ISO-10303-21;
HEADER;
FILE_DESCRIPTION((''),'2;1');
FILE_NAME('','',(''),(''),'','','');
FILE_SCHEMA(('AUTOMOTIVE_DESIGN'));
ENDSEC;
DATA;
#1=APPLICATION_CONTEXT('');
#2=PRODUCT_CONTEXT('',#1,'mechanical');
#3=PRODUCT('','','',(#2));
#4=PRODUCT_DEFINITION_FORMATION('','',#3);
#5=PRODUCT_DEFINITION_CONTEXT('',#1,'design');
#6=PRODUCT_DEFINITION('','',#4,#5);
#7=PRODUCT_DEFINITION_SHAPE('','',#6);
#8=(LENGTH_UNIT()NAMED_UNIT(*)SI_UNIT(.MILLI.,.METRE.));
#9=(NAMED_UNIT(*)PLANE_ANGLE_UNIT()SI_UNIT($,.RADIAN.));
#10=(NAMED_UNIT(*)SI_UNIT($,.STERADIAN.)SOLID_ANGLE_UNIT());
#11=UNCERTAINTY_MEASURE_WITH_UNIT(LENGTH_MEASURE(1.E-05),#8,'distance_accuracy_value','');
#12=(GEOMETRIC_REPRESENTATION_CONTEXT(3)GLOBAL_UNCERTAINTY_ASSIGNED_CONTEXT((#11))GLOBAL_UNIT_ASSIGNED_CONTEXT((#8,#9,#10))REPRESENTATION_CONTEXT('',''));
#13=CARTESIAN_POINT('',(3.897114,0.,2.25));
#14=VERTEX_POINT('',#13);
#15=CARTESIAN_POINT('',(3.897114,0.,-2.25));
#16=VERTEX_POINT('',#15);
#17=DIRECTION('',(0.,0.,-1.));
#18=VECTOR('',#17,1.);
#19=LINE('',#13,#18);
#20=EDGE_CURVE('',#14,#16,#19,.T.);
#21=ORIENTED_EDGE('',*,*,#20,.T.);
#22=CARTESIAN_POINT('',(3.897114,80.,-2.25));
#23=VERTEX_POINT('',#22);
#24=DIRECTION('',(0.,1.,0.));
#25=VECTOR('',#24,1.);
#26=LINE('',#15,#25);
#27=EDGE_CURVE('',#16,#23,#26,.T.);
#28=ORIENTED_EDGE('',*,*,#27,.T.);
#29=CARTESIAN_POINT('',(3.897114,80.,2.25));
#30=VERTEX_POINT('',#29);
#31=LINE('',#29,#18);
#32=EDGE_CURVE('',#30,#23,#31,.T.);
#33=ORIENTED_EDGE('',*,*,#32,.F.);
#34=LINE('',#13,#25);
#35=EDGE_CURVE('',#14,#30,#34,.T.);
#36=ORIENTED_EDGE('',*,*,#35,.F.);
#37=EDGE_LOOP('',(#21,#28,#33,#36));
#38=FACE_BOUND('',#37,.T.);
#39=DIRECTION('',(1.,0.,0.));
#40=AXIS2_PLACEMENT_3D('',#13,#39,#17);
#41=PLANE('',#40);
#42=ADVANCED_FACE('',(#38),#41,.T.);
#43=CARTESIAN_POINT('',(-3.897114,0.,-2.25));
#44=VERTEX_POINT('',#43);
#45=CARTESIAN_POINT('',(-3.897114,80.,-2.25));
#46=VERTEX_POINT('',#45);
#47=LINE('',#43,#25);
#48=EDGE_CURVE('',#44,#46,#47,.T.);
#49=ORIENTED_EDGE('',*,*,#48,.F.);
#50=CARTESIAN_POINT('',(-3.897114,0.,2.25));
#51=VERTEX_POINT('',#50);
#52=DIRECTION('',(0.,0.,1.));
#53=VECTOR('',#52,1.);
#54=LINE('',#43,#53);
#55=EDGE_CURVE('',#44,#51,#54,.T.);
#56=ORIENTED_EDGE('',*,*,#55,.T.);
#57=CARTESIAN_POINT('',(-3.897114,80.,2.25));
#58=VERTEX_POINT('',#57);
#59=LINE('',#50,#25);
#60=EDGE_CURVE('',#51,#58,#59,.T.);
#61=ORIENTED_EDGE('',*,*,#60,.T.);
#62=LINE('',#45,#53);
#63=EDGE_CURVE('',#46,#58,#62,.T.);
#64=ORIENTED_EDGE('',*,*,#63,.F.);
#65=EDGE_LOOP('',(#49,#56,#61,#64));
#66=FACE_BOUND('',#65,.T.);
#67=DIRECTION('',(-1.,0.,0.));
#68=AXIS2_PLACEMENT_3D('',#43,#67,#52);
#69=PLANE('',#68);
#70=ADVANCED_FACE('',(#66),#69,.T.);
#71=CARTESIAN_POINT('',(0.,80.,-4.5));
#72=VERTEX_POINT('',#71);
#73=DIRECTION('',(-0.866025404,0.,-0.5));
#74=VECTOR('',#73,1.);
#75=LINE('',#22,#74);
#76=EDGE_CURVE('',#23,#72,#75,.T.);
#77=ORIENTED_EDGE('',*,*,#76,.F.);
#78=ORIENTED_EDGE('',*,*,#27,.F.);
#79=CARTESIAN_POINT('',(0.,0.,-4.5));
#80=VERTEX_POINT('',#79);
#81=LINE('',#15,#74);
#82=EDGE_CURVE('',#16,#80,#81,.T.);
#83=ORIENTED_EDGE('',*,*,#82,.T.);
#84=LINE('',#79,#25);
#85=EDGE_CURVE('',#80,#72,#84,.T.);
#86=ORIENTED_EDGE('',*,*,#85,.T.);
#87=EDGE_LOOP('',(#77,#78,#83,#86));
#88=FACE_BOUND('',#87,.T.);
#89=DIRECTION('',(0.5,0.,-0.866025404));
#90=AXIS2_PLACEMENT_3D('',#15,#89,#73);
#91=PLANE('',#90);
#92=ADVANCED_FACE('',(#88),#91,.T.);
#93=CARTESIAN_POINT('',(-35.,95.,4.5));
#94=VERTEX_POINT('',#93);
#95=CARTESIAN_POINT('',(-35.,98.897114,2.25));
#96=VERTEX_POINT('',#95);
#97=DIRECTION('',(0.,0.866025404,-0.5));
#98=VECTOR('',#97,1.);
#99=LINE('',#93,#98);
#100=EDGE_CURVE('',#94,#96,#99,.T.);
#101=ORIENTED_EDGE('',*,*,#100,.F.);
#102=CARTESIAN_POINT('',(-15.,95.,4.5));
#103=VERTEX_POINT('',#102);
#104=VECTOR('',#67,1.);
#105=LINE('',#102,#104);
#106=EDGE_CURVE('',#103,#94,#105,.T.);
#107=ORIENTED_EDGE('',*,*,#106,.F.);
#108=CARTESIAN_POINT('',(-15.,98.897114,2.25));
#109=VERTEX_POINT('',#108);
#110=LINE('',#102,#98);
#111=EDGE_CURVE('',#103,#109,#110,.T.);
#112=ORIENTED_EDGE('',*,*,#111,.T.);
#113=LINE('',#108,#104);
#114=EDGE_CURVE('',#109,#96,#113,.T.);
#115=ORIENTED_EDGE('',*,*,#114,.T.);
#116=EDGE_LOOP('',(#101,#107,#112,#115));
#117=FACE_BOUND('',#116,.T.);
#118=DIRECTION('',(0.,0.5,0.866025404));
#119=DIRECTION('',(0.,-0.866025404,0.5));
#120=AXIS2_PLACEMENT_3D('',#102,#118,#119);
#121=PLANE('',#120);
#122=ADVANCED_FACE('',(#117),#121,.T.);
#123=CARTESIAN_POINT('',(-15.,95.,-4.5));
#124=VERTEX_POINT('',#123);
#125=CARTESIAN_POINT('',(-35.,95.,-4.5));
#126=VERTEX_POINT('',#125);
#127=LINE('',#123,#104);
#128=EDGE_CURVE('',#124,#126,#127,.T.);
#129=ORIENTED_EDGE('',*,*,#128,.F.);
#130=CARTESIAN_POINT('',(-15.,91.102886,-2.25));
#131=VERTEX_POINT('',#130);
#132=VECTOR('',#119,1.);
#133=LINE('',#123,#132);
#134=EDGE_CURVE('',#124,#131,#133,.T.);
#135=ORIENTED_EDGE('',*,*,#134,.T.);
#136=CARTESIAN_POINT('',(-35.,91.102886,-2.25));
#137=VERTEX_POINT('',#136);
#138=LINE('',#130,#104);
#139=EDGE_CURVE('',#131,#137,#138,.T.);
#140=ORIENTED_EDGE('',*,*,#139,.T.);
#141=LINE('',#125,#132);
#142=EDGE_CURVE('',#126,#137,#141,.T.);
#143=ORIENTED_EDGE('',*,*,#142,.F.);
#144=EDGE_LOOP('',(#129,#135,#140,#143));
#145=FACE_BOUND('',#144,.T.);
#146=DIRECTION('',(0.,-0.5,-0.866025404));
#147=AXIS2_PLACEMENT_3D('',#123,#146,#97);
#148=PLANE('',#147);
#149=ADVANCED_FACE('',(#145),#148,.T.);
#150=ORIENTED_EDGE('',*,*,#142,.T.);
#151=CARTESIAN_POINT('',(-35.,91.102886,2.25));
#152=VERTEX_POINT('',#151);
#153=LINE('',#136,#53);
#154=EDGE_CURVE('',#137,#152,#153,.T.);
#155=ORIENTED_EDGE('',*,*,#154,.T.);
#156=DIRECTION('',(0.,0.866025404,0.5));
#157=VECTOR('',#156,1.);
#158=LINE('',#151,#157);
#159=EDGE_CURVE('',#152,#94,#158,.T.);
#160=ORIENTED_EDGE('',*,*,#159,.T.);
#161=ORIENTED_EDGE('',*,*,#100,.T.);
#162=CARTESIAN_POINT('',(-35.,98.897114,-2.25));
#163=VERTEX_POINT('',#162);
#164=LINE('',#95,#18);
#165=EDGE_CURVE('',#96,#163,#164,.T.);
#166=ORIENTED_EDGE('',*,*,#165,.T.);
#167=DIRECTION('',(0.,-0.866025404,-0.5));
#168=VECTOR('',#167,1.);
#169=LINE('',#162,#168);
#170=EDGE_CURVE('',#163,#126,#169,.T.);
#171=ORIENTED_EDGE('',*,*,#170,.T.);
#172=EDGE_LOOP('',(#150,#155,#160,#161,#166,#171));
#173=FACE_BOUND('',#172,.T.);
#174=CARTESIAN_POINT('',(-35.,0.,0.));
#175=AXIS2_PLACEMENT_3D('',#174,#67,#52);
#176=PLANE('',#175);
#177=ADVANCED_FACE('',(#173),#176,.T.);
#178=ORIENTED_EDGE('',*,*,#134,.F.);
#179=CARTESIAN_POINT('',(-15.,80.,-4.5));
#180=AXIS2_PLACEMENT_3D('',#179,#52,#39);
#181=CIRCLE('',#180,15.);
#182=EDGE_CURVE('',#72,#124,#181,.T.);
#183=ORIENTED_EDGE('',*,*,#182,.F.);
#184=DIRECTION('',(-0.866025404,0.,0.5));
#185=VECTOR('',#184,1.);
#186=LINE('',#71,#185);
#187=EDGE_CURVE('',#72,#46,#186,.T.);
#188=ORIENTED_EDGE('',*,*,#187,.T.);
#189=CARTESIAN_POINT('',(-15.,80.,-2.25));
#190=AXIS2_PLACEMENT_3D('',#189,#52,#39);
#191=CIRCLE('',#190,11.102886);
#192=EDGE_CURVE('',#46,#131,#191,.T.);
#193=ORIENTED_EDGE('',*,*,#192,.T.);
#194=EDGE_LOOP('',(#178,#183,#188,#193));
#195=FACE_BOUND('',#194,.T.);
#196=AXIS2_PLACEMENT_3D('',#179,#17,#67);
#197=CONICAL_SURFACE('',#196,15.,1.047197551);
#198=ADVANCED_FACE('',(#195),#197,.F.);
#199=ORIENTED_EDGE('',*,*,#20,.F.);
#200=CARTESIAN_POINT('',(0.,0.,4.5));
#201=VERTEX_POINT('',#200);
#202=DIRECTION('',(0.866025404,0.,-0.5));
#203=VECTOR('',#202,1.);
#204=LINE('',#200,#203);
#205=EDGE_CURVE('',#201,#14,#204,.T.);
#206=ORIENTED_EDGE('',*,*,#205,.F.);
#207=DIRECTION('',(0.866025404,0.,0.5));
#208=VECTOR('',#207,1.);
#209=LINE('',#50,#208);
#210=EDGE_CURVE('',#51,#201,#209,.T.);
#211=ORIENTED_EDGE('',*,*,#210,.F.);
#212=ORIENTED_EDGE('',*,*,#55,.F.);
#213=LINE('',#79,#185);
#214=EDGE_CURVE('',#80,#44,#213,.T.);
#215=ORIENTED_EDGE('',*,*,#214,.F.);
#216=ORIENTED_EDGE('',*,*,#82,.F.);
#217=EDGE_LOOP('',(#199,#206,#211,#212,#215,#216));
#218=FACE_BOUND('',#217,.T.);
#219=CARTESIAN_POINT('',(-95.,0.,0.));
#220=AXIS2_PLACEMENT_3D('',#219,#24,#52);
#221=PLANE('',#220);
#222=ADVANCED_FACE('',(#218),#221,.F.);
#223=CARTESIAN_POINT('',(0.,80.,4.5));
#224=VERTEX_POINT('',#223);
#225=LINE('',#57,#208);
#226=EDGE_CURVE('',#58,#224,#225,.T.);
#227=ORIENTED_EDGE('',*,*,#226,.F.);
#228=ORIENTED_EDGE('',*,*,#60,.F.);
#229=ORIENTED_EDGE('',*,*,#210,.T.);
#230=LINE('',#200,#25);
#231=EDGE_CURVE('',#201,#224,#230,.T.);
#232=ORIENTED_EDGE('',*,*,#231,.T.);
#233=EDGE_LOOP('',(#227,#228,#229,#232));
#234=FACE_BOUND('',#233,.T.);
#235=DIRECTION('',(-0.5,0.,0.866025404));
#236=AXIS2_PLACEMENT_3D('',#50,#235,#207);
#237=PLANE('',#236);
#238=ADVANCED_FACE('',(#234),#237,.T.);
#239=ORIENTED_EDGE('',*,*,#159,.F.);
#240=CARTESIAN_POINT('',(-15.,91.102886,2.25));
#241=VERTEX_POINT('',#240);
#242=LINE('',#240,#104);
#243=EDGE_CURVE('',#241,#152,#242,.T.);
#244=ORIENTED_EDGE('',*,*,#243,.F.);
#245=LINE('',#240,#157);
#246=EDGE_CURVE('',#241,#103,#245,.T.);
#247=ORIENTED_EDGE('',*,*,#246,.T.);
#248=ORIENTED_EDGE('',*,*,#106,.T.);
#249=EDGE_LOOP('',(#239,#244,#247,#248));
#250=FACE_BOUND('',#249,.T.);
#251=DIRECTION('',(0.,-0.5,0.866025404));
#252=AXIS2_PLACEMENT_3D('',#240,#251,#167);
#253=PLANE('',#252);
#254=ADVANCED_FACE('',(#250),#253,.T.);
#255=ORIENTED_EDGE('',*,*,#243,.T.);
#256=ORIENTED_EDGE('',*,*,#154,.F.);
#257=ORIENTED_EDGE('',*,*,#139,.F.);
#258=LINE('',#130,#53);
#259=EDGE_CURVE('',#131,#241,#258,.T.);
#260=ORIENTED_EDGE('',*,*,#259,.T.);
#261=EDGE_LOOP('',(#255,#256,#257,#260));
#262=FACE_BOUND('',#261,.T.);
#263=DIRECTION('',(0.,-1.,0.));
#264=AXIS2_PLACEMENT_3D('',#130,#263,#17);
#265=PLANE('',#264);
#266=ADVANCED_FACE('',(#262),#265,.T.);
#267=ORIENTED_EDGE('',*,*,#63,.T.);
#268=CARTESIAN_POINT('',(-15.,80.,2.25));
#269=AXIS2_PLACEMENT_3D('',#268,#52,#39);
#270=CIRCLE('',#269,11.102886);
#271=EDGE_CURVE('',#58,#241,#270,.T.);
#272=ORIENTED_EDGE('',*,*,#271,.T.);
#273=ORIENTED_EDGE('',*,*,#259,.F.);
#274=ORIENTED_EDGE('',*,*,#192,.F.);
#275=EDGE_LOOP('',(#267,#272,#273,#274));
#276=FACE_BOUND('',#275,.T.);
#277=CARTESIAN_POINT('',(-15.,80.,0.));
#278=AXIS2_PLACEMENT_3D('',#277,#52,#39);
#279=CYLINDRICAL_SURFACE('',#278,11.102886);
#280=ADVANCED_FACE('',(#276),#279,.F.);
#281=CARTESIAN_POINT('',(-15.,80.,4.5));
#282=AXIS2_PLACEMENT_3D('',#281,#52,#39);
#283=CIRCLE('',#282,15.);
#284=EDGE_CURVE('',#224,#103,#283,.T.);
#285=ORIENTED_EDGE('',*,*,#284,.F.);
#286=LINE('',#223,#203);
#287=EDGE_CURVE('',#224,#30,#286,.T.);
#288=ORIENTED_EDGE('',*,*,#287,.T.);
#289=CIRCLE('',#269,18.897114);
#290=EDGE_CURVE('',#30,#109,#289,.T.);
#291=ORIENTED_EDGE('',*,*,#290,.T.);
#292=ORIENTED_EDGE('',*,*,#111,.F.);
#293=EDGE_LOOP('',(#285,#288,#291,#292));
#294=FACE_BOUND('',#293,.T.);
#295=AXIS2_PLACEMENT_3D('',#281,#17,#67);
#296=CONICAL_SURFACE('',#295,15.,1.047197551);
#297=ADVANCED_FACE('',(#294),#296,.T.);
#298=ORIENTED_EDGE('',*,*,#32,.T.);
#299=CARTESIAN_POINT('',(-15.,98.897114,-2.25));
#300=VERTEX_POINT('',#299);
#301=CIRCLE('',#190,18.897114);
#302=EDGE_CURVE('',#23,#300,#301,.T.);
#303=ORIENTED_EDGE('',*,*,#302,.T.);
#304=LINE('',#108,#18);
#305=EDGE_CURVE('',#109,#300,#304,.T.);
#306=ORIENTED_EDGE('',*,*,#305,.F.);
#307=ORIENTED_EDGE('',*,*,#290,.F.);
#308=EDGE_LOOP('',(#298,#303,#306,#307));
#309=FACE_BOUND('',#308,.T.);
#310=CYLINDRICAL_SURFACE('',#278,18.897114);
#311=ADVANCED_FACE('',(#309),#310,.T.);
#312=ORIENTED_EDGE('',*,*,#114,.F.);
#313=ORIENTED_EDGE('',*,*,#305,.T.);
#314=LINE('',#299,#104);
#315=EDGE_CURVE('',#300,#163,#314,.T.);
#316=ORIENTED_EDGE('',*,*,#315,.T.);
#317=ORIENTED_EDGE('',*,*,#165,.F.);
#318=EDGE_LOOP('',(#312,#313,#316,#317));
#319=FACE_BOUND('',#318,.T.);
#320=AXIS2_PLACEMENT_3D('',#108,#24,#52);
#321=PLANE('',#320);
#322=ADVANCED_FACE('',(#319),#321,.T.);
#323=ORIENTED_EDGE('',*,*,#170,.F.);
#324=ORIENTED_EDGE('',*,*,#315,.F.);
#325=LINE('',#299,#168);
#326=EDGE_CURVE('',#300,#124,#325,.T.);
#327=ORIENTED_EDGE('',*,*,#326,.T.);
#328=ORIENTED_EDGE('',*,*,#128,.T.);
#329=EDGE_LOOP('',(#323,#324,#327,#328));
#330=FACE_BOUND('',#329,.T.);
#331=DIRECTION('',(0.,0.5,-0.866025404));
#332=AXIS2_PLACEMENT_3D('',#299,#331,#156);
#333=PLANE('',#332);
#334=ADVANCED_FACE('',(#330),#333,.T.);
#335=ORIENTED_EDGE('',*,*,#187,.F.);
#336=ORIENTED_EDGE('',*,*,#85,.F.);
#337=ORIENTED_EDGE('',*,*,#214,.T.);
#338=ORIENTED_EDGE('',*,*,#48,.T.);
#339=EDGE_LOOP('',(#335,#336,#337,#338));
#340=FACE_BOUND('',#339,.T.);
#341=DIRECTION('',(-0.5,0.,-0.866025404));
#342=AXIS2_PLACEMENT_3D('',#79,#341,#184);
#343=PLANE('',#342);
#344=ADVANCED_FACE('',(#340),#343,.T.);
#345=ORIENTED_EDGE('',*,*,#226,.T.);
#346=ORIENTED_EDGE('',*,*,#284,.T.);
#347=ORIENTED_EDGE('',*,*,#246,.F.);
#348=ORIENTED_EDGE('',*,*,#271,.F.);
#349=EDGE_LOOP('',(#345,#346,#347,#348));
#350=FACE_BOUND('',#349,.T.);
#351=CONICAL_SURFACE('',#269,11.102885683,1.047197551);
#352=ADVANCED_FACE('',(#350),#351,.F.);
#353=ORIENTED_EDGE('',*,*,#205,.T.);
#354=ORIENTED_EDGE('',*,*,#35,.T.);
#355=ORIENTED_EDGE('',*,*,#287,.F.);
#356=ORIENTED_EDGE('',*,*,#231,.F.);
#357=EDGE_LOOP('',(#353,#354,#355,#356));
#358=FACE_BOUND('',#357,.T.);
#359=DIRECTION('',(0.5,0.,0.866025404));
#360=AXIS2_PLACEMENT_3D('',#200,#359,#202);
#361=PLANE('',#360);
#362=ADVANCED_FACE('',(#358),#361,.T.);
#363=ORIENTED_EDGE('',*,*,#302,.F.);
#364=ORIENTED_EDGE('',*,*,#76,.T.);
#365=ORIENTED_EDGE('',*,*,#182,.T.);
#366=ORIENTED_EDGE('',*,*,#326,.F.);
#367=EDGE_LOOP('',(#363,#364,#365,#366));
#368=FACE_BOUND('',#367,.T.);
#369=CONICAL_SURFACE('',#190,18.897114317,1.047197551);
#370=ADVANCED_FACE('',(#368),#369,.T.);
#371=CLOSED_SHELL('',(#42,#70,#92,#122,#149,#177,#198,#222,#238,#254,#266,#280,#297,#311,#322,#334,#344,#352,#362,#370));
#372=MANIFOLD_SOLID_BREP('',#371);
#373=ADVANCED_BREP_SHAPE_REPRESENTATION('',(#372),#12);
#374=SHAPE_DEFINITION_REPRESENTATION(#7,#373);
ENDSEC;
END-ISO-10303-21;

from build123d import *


with BuildPart() as part:
    # Sweep1: sweep along a path in Sketch1
    with BuildLine(Plane.XY) as sweep1_path:
        Line((0, 0), (0, 80))
        ThreePointArc((0, 80), (-4.393398282, 90.606601718), (-15, 95))
        Line((-15, 95), (-35, 95))
    # Sketch2 → Sweep1 (sweep)
    with BuildSketch(Plane(origin=(-35, 95, 0), x_dir=(0, 0, 1), z_dir=(-1, 0, 0))):
        Polygon((4.5, 0), (2.25, 3.897114317), (-2.25, 3.897114317), (-4.5, 0), (-2.25, -3.897114317), (2.25, -3.897114317), align=None)
    sweep(path=sweep1_path.line)


solid = part.part
